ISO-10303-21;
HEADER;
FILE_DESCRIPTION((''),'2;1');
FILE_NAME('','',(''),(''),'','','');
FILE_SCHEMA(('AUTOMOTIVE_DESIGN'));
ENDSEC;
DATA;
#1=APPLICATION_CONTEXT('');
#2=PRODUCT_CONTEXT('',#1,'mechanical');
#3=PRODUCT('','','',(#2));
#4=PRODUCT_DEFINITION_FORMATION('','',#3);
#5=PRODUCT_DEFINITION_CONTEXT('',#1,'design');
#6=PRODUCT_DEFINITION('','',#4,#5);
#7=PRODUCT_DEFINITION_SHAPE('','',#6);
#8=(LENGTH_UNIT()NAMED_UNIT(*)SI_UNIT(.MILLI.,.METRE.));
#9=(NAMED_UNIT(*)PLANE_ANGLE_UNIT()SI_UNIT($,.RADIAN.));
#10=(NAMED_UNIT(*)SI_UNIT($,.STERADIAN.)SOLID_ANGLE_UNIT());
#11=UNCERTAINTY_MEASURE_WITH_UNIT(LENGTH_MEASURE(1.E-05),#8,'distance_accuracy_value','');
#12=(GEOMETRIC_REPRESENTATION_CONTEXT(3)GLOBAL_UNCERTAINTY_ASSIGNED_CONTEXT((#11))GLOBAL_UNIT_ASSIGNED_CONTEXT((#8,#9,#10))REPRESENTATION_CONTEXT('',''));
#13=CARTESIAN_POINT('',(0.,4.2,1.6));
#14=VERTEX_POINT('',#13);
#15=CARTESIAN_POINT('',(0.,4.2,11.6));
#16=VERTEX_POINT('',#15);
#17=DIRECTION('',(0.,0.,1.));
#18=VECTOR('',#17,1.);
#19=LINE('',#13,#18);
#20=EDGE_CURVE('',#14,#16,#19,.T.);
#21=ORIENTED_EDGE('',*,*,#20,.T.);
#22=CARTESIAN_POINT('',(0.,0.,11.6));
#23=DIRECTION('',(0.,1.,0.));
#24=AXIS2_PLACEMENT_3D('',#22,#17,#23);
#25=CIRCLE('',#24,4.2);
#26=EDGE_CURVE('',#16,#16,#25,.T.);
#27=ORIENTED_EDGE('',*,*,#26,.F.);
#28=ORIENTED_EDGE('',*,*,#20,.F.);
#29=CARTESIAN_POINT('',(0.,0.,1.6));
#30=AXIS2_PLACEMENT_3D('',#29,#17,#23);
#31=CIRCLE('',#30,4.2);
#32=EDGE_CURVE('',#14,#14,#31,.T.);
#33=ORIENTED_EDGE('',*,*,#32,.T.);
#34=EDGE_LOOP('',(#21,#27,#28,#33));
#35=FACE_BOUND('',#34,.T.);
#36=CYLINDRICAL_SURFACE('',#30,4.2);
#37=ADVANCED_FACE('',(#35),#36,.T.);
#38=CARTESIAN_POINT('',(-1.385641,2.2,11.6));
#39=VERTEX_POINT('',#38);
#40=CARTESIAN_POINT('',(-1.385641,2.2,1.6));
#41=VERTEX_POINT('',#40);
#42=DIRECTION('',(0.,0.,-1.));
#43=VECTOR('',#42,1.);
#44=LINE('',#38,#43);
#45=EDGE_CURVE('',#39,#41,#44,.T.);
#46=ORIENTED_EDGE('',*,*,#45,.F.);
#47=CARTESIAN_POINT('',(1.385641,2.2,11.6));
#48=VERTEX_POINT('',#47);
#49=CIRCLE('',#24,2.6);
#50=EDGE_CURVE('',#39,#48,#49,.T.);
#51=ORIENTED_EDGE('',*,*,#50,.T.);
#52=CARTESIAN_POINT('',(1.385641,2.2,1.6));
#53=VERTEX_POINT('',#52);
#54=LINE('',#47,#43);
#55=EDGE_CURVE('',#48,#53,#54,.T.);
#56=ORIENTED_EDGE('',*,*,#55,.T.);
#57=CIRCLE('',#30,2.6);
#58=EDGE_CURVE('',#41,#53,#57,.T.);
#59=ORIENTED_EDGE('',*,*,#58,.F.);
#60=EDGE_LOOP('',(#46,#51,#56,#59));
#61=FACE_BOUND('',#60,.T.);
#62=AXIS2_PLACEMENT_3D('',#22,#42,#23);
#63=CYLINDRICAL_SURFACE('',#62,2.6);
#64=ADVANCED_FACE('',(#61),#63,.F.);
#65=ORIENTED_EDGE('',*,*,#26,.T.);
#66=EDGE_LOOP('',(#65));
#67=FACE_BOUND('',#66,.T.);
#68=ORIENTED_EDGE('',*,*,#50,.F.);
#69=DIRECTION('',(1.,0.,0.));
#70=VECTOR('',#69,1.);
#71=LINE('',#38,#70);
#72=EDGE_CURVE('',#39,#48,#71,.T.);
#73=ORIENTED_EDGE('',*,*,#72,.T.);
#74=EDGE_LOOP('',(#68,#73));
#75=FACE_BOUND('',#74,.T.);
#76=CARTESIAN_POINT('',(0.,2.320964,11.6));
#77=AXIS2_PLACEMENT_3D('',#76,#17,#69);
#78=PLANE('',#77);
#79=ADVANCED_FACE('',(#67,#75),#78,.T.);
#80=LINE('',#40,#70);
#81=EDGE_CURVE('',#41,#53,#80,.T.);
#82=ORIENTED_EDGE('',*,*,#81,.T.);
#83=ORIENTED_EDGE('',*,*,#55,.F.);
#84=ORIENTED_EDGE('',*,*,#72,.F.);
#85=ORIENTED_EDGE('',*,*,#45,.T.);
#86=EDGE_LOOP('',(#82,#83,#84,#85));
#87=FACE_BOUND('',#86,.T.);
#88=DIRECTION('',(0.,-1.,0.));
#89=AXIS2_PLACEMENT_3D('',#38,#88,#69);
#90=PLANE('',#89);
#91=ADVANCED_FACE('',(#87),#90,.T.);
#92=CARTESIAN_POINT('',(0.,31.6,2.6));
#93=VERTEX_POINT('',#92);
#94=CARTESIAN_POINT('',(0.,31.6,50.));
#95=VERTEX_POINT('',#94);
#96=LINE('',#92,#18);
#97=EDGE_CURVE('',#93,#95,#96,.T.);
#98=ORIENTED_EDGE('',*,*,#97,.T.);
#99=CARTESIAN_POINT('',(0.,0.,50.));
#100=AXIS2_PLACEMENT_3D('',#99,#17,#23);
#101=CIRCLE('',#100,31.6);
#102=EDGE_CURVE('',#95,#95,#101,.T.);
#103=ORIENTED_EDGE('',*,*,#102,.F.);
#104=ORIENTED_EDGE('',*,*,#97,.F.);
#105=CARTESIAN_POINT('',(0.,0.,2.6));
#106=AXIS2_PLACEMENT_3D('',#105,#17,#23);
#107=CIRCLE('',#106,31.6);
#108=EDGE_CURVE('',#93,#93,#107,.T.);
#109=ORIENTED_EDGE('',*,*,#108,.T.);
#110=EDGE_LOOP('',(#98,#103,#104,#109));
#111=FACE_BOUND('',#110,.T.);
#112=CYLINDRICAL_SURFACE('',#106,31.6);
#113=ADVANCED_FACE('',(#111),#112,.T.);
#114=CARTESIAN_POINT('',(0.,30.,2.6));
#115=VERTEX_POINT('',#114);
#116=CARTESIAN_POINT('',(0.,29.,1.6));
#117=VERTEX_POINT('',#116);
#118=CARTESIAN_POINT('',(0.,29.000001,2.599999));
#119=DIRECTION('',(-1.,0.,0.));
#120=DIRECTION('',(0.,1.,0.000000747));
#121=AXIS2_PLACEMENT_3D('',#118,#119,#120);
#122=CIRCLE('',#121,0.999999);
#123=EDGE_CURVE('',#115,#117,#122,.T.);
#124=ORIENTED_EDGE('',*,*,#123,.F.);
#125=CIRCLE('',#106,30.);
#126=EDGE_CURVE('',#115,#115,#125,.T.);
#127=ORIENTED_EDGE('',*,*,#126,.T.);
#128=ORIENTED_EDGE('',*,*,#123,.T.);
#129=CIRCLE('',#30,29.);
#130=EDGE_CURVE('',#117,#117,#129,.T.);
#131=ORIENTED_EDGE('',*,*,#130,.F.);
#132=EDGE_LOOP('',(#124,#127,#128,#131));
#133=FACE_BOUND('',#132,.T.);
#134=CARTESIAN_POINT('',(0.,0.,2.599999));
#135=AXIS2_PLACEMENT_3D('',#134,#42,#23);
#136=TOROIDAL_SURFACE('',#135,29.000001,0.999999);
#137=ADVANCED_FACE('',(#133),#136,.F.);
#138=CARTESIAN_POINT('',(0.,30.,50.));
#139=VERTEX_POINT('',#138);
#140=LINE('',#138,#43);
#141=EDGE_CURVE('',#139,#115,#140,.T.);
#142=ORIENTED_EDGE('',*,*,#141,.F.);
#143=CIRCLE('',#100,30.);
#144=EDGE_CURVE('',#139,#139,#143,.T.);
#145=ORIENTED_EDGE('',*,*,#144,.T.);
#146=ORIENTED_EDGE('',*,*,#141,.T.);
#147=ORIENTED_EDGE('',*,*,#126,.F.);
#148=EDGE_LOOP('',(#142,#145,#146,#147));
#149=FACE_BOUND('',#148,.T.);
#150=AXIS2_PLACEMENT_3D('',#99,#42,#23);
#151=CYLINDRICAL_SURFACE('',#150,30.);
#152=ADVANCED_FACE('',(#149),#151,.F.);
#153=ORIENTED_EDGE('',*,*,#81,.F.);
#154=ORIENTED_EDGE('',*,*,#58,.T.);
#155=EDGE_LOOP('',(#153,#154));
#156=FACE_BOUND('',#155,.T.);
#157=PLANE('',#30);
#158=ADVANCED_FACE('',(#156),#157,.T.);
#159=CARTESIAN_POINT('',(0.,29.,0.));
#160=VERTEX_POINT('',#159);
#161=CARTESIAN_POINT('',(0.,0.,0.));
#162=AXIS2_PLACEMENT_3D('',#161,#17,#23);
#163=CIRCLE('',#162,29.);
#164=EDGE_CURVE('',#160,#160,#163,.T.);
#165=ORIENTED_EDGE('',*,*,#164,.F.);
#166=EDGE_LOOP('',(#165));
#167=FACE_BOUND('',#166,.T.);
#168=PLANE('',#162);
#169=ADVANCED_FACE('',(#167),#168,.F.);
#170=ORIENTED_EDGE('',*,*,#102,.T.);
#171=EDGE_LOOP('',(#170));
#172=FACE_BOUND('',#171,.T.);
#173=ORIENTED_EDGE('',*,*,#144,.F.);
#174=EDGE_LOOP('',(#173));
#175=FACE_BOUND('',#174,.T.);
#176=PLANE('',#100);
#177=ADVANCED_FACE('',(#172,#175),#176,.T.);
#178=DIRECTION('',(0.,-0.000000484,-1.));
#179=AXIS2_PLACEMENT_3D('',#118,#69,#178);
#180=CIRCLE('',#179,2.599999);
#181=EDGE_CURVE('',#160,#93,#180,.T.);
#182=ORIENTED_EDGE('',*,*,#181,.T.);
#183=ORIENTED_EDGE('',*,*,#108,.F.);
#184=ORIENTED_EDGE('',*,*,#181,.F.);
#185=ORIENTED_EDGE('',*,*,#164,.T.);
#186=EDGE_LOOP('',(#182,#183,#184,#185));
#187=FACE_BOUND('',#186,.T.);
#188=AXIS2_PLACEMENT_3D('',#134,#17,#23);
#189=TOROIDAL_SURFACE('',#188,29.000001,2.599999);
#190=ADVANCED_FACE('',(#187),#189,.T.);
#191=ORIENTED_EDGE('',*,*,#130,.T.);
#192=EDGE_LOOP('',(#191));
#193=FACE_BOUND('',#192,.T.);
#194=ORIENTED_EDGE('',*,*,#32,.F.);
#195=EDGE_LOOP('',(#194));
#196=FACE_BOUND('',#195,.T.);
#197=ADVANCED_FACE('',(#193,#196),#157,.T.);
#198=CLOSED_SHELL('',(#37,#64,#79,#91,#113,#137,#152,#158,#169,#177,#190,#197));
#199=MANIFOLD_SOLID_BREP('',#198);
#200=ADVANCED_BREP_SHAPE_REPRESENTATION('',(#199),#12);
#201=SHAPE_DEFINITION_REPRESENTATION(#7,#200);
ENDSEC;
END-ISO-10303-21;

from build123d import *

# Parameters (mm, degrees)
F3_DEPTH = 10


with BuildPart() as f1:
    # F0 (on Right) → F1 (revolve)
    with BuildSketch(Plane.YZ):
        with BuildLine():
            Line((0, 1.6), (0, 0))
            Line((0, 0), (29, 0))
            ThreePointArc((29, 0), (30.838478, 0.761522), (31.6, 2.6))
            Line((31.6, 2.6), (31.6, 50))
            Line((31.6, 50), (30, 50))
            Line((30, 50), (30, 2.6))
            ThreePointArc((30, 2.6), (29.707107, 1.892893), (29, 1.6))
            Line((29, 1.6), (4.2, 1.6))
            Line((4.2, 1.6), (4.2, 11.6))
            Line((4.2, 11.6), (2.6, 11.6))
            Line((2.6, 11.6), (2.6, 1.6))
            Line((2.6, 1.6), (0, 1.6))
        make_face()
    revolve(axis=Axis((0, 0, 0.8), (0, 0, 1)))

    # F2 (on face) → F3 (join, through all)
    with BuildSketch(Plane.XY.offset(11.6)):
        with BuildLine():
            ThreePointArc((1.385641, 2.2), (0, 2.6), (-1.385641, 2.2))
            Line((-1.385641, 2.2), (1.385641, 2.2))
        make_face()
    extrude(amount=-F3_DEPTH)


solid = f1.part
